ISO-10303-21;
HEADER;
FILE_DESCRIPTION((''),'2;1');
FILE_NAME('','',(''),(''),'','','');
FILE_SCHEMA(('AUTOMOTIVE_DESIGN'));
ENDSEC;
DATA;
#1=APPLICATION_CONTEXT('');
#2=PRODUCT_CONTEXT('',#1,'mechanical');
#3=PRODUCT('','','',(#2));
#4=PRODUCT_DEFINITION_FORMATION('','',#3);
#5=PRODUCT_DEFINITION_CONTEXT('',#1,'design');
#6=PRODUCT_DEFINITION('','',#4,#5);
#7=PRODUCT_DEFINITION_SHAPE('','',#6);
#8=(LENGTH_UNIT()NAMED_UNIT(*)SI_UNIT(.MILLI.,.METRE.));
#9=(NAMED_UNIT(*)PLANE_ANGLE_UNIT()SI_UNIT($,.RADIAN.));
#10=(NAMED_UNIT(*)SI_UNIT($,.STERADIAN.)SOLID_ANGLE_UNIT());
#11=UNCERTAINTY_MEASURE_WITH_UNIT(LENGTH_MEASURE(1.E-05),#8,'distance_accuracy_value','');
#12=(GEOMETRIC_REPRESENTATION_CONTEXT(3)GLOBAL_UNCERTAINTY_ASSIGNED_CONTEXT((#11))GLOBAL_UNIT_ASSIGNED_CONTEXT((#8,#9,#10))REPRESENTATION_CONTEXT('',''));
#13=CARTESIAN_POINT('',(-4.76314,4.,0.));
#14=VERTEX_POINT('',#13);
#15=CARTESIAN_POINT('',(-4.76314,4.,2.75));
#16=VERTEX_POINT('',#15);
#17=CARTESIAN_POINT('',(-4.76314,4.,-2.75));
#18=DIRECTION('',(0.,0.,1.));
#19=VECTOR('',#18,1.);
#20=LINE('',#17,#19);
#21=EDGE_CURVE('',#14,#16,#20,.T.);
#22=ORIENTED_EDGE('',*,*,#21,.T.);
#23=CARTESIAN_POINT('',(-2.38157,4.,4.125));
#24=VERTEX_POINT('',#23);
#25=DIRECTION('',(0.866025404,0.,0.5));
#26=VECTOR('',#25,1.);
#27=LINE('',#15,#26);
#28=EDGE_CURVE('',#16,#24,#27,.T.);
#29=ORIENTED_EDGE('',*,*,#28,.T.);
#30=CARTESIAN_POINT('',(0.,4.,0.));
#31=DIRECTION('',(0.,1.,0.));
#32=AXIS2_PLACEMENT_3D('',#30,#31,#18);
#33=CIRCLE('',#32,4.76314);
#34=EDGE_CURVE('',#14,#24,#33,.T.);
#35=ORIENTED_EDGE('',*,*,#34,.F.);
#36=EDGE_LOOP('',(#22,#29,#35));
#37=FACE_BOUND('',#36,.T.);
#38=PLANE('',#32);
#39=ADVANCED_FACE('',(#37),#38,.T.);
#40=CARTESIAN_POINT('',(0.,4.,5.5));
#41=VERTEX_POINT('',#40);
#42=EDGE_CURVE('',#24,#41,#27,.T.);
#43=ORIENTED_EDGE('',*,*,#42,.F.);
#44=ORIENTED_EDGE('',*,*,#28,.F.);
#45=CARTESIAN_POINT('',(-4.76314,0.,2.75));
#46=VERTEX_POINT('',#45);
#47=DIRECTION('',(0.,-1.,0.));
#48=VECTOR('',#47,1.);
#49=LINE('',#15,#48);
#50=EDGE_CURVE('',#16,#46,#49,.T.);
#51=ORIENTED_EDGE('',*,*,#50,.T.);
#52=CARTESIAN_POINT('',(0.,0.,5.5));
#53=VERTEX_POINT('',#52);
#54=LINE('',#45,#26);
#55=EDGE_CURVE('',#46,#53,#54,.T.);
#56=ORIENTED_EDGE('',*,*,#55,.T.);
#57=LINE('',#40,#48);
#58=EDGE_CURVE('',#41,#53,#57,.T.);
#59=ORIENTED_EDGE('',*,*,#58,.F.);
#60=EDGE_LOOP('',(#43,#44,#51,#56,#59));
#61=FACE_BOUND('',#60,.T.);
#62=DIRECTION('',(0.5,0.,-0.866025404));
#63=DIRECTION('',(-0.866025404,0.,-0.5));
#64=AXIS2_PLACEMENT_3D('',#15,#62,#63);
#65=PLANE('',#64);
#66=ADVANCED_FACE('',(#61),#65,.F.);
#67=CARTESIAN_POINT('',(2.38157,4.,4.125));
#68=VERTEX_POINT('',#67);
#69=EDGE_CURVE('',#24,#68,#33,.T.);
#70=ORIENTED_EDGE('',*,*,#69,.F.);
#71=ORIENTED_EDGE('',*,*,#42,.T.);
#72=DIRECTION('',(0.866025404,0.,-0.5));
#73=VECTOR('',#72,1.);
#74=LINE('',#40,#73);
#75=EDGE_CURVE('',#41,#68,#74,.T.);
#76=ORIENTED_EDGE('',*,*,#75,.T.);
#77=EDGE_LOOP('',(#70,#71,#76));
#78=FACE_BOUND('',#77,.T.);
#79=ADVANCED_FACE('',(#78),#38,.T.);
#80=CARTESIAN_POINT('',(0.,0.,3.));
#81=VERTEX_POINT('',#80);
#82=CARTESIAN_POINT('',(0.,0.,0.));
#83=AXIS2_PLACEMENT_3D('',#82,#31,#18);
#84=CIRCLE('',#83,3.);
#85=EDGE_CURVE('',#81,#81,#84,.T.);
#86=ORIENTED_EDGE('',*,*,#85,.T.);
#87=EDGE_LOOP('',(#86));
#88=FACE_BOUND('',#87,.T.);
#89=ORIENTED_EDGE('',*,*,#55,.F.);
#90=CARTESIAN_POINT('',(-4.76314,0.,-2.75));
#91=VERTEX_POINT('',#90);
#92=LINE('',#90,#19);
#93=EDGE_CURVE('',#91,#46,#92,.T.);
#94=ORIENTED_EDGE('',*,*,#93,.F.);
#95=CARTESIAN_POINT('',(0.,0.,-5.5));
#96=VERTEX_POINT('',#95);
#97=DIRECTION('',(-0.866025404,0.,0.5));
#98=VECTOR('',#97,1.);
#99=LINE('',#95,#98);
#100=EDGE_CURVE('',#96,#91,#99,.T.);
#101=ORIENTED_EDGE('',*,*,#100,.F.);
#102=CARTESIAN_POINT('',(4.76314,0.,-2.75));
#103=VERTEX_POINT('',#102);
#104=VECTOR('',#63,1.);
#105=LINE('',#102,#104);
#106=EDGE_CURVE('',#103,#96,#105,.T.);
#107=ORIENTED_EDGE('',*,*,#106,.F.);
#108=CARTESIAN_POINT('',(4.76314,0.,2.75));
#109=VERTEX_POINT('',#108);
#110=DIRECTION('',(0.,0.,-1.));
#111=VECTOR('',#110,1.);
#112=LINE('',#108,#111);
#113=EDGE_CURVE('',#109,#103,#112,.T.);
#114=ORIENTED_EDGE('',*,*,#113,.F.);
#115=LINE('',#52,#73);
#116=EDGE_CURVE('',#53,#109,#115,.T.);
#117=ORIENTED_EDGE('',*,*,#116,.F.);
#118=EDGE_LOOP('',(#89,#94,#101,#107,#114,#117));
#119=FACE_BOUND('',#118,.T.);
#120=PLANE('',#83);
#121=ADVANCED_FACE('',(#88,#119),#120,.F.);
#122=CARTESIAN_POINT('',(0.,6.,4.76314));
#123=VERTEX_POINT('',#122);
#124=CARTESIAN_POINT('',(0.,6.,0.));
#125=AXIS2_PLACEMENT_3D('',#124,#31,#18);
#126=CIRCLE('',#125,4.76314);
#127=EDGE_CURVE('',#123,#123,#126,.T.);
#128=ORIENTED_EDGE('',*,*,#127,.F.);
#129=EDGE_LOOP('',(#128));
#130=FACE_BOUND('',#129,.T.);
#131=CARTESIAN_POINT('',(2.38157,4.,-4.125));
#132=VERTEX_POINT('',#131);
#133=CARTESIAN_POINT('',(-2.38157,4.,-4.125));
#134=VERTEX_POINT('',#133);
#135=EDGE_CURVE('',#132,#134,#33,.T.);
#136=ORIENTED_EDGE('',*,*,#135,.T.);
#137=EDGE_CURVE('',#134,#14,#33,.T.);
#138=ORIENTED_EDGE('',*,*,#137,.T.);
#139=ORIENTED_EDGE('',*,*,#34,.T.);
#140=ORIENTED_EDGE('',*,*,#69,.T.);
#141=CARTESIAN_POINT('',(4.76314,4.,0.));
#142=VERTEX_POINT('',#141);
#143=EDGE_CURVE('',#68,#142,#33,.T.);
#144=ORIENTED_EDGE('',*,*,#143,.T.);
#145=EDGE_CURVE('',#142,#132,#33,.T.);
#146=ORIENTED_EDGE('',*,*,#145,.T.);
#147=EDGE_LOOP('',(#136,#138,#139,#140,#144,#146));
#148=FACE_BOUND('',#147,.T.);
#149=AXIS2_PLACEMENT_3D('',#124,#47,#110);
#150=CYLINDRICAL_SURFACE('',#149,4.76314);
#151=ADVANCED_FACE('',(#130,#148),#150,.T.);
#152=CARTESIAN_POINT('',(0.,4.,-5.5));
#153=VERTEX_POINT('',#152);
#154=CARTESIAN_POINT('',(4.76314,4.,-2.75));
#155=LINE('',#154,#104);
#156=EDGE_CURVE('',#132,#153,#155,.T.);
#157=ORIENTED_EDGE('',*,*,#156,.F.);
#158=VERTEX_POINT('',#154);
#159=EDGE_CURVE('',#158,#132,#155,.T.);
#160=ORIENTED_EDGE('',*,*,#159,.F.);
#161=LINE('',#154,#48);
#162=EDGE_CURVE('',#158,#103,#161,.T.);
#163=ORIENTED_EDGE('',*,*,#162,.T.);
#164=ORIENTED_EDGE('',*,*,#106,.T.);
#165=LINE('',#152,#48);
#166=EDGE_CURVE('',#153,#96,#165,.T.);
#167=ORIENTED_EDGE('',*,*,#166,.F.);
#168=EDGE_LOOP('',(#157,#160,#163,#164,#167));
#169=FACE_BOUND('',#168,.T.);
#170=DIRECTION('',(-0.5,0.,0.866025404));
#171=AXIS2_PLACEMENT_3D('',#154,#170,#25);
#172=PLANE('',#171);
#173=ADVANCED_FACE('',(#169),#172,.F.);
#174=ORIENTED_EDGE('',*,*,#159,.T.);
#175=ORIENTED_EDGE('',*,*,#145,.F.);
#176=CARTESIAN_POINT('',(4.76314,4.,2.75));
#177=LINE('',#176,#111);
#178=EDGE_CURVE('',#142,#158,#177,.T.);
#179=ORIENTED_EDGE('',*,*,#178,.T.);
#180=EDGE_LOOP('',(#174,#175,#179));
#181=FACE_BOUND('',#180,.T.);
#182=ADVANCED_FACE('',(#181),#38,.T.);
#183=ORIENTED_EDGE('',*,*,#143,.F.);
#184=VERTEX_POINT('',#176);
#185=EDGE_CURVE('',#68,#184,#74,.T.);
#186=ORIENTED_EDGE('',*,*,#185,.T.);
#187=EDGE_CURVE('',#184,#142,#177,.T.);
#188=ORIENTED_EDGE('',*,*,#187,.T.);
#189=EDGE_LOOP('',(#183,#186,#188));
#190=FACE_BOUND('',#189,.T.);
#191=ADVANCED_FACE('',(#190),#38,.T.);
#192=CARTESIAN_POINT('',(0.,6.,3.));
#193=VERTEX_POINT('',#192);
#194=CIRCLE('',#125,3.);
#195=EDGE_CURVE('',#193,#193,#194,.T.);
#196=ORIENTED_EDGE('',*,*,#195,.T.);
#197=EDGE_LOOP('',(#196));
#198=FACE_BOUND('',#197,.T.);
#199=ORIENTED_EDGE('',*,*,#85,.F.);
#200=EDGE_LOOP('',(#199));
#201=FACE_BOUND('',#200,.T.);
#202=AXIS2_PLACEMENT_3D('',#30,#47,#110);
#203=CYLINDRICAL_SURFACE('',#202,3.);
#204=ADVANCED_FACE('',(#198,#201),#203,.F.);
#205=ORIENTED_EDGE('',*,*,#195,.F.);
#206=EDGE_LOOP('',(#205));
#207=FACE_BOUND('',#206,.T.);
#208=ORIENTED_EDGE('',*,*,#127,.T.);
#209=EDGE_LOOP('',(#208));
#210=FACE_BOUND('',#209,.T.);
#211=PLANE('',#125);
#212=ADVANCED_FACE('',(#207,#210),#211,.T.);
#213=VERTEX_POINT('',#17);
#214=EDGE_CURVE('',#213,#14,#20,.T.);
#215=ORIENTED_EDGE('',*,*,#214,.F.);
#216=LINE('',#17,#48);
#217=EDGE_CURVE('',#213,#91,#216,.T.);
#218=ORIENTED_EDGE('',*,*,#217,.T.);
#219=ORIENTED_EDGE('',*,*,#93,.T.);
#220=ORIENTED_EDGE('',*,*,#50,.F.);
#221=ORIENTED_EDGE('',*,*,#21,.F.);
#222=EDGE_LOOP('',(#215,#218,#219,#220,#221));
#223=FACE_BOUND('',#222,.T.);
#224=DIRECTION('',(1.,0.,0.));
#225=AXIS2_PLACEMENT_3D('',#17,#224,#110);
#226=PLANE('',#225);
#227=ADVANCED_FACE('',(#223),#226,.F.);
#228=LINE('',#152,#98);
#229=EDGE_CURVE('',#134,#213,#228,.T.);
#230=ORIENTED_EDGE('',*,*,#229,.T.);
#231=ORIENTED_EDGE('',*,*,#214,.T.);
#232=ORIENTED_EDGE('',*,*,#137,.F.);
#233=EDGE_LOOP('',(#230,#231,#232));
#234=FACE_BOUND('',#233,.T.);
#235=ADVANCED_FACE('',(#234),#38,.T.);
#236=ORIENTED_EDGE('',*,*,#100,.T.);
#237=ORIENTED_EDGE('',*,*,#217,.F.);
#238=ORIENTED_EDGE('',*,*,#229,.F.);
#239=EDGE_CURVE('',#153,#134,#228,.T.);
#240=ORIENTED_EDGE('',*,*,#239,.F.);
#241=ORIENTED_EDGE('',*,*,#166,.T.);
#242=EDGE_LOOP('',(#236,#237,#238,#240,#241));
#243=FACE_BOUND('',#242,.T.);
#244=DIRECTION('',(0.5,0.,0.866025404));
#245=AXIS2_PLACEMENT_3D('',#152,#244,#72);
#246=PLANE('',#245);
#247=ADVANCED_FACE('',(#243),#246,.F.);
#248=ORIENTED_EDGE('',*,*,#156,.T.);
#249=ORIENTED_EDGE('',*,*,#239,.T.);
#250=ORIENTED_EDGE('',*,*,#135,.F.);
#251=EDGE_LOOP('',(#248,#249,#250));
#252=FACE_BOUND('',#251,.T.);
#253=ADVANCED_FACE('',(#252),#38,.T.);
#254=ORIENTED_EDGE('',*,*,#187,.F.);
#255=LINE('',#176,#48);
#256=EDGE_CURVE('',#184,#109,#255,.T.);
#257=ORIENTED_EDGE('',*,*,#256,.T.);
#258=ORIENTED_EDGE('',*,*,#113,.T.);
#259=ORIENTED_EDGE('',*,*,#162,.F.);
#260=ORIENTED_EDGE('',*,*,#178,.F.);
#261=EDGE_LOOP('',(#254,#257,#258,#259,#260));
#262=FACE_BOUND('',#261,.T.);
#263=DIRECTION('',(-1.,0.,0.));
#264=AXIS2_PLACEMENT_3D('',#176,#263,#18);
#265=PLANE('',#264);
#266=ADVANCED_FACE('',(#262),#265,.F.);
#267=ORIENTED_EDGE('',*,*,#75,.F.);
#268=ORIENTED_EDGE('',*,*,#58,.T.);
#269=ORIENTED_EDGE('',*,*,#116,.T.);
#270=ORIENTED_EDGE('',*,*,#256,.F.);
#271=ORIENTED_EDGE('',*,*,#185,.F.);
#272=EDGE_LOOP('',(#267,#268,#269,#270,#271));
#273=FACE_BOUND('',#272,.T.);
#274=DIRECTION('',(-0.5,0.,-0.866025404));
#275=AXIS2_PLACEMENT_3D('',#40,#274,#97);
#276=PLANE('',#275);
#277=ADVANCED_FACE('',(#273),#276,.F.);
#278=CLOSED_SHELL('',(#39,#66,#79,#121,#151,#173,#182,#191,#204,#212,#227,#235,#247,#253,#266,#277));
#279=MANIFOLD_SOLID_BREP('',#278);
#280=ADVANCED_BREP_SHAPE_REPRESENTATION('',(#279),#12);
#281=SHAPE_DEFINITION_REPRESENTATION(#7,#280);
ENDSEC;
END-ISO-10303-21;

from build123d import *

# Parameters (mm, degrees)
SKETCH1_R           = 3
BOSS_EXTRUDE1_DEPTH = 4
SKETCH2_R           = 4.763139721
SKETCH2_R_2         = 3
BOSS_EXTRUDE2_DEPTH = 2


with BuildPart() as part:
    # Sketch1 → Boss-Extrude1 (new body)
    with BuildSketch(Plane(origin=(0, 0, 0), x_dir=(1, 0, 0), z_dir=(0, 1, 0))):
        Polygon((0, 5.5), (-4.763139721, 2.75), (-4.763139721, -2.75), (0, -5.5), (4.763139721, -2.75), (4.763139721, 2.75), align=None)
        with Locations(Location((0, 0, 0), (0, 0, 270))):
            Circle(SKETCH1_R, mode=Mode.SUBTRACT)
    extrude(amount=BOSS_EXTRUDE1_DEPTH)

    # Sketch2 → Boss-Extrude2 (add)
    with BuildSketch(Plane(origin=(0, 4, 0), x_dir=(1, 0, 0), z_dir=(0, 1, 0))):
        with Locations(Location((0, 0, 0), (0, 0, 60))):
            Circle(SKETCH2_R)
        with Locations(Location((0, 0, 0), (0, 0, 270))):
            Circle(SKETCH2_R_2, mode=Mode.SUBTRACT)
    extrude(amount=BOSS_EXTRUDE2_DEPTH)


solid = part.part
